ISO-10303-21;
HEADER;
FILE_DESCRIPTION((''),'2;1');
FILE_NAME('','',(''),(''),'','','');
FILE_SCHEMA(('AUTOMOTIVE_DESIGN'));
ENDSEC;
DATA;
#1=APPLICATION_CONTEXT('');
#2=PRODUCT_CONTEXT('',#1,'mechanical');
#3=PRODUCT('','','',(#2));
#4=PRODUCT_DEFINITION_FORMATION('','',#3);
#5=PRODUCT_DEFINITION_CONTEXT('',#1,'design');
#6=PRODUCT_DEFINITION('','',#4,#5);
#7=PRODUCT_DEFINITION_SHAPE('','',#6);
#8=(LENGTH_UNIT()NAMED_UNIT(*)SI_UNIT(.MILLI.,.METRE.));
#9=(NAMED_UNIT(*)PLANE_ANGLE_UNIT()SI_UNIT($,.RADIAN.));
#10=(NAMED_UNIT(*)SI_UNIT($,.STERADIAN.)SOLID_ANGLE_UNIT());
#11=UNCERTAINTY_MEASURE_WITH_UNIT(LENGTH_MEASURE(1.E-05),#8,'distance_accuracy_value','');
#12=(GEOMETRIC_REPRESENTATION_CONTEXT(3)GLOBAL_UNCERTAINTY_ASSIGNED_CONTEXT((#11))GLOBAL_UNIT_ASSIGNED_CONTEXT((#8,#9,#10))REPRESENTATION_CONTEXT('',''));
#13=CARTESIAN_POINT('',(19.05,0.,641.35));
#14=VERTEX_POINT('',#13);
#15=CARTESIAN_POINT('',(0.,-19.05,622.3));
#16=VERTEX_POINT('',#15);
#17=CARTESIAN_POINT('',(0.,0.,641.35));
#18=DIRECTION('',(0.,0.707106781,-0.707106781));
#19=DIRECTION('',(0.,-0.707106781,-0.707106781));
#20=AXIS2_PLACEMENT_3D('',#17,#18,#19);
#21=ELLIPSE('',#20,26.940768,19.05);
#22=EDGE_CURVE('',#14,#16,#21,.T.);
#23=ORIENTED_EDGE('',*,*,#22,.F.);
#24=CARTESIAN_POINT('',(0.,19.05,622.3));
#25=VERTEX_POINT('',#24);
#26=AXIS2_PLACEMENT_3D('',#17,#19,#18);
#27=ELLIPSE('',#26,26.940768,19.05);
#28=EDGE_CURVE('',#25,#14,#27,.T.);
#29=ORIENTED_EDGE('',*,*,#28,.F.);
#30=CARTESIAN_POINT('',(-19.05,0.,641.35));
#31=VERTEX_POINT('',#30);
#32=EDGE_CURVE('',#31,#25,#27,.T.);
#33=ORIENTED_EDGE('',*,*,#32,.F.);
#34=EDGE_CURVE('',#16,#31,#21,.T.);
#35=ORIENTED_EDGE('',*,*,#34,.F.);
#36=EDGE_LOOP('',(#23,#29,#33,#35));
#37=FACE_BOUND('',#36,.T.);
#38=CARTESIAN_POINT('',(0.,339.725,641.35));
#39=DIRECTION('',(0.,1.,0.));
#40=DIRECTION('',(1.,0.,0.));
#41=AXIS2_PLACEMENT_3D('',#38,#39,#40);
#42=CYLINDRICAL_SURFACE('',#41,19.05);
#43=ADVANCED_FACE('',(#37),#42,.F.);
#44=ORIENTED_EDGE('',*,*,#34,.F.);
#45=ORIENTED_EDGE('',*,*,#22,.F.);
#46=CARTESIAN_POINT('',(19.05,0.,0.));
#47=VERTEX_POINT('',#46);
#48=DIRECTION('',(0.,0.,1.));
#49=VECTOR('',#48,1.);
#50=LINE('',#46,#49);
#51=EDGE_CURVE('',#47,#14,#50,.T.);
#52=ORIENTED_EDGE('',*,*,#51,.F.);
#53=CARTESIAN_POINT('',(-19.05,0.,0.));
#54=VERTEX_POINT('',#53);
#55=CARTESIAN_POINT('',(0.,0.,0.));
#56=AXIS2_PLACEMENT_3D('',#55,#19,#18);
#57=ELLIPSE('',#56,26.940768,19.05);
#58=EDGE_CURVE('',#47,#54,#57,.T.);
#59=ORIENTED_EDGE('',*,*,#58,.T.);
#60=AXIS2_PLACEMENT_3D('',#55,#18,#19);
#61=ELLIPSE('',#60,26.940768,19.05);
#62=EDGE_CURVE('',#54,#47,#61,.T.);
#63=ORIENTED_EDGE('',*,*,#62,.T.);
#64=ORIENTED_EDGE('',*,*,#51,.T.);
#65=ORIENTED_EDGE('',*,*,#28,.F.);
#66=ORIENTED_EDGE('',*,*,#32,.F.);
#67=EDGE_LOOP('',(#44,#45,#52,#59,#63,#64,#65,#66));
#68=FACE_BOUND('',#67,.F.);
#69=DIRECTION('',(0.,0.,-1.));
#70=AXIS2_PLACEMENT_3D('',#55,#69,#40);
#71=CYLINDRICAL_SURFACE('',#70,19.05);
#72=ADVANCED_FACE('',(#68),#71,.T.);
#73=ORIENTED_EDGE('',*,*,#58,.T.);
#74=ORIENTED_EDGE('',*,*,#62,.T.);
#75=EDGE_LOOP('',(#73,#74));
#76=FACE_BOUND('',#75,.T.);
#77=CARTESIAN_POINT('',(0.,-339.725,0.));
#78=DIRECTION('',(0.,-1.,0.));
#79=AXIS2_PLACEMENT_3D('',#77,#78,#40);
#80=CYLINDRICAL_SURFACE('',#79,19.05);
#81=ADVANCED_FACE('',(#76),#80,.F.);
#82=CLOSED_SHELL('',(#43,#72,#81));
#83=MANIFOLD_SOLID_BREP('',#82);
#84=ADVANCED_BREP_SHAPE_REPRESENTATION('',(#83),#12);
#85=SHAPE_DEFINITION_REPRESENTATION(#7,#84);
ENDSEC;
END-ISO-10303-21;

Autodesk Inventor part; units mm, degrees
ref_plane "Start plane" through (0, 0, 0) normal (0, 0, 1) x (1, 0, 0)
ref_plane "End plane" through (0, 0, 641.35) normal (0, 0, 1) x (1, 0, 0)
sketch "Sketch" plane through (0, 0, 0) normal (0, 0, 1) x (1, 0, 0)
  circle A0 centre (0, 0) radius 19.05
  dimension "d0" = 38.1
extrude "Body" add sketch "Sketch" along normal up to surface (641.35 mm away) from surface at 0
sketch "Sketch2" plane through (0, 0, 0) normal (0, 0, 1) x (1, 0, 0)
  line L0 (0, 0) -> (10, 0)
ref_plane "Work Plane3" through (0, 0, 0) normal (0, -1, 0) x (1, 0, 0)
sketch "Sketch3" plane through (0, 0, 0) normal (0, -1, 0) x (1, 0, 0)
  line L0 (-2, 0) -> (12, 0)
  line L1 (-2, 641.35) -> (12, 641.35)
  dimension "d7" = 641.35
ref_plane "Work Plane4" through (0, 339.725, 660.4) normal (0, 0.7071, -0.7071) x (1, 0, 0)
ref_plane "Work Plane5" through (0, -339.725, 660.4) normal (0, -0.7071, -0.7071) x (1, 0, 0)
ref_plane "Work Plane6" through (0, 0, 641.35) normal (0, -1, 0) x (1, 0, 0)
sketch "Sketch4" plane through (0, 0, 641.35) normal (0, -1, 0) x (1, 0, 0)
  circle A0 centre (0, 0) radius 19.05
extrude "Extrusion2" cut sketch "Sketch4" along normal up to surface from surface at -339.725 surface through (0, -339.725, 660.4) normal (0, -0.7071, -0.7071)
ref_plane "Work Plane7" through (0, -339.725, -19.05) normal (0, -0.7071, 0.7071) x (1, 0, 0)
ref_plane "Work Plane8" through (0, 339.725, -19.05) normal (0, 0.7071, 0.7071) x (1, 0, 0)
ref_plane "Work Plane9" through (0, 0, 0) normal (0, 1, 0) x (1, 0, 0)
sketch "Sketch5" plane through (0, 0, 0) normal (0, 1, 0) x (1, 0, 0)
  circle A0 centre (0, 0) radius 19.05
extrude "Extrusion3" cut sketch "Sketch5" along normal up to surface from surface at -339.725 surface through (0, 339.725, -19.05) normal (0, 0.7071, 0.7071)
equation "\"d0\" = Diam"
equation "\"d1\" = G_L"
equation "\"Diam\" = 38.1"
equation "\"G_L\" = d7"
equation "\"G_OFFSET_START\" = 0"
equation "\"G_OFFSET_END\" = 0"
equation "\"d5\" = G_OFFSET_END + B_L"
equation "\"B_L\" = 641.35"
properties part number "ANSI/AISC Rolled Steel - 1 1/2-25.25" material "Steel, Mild"
